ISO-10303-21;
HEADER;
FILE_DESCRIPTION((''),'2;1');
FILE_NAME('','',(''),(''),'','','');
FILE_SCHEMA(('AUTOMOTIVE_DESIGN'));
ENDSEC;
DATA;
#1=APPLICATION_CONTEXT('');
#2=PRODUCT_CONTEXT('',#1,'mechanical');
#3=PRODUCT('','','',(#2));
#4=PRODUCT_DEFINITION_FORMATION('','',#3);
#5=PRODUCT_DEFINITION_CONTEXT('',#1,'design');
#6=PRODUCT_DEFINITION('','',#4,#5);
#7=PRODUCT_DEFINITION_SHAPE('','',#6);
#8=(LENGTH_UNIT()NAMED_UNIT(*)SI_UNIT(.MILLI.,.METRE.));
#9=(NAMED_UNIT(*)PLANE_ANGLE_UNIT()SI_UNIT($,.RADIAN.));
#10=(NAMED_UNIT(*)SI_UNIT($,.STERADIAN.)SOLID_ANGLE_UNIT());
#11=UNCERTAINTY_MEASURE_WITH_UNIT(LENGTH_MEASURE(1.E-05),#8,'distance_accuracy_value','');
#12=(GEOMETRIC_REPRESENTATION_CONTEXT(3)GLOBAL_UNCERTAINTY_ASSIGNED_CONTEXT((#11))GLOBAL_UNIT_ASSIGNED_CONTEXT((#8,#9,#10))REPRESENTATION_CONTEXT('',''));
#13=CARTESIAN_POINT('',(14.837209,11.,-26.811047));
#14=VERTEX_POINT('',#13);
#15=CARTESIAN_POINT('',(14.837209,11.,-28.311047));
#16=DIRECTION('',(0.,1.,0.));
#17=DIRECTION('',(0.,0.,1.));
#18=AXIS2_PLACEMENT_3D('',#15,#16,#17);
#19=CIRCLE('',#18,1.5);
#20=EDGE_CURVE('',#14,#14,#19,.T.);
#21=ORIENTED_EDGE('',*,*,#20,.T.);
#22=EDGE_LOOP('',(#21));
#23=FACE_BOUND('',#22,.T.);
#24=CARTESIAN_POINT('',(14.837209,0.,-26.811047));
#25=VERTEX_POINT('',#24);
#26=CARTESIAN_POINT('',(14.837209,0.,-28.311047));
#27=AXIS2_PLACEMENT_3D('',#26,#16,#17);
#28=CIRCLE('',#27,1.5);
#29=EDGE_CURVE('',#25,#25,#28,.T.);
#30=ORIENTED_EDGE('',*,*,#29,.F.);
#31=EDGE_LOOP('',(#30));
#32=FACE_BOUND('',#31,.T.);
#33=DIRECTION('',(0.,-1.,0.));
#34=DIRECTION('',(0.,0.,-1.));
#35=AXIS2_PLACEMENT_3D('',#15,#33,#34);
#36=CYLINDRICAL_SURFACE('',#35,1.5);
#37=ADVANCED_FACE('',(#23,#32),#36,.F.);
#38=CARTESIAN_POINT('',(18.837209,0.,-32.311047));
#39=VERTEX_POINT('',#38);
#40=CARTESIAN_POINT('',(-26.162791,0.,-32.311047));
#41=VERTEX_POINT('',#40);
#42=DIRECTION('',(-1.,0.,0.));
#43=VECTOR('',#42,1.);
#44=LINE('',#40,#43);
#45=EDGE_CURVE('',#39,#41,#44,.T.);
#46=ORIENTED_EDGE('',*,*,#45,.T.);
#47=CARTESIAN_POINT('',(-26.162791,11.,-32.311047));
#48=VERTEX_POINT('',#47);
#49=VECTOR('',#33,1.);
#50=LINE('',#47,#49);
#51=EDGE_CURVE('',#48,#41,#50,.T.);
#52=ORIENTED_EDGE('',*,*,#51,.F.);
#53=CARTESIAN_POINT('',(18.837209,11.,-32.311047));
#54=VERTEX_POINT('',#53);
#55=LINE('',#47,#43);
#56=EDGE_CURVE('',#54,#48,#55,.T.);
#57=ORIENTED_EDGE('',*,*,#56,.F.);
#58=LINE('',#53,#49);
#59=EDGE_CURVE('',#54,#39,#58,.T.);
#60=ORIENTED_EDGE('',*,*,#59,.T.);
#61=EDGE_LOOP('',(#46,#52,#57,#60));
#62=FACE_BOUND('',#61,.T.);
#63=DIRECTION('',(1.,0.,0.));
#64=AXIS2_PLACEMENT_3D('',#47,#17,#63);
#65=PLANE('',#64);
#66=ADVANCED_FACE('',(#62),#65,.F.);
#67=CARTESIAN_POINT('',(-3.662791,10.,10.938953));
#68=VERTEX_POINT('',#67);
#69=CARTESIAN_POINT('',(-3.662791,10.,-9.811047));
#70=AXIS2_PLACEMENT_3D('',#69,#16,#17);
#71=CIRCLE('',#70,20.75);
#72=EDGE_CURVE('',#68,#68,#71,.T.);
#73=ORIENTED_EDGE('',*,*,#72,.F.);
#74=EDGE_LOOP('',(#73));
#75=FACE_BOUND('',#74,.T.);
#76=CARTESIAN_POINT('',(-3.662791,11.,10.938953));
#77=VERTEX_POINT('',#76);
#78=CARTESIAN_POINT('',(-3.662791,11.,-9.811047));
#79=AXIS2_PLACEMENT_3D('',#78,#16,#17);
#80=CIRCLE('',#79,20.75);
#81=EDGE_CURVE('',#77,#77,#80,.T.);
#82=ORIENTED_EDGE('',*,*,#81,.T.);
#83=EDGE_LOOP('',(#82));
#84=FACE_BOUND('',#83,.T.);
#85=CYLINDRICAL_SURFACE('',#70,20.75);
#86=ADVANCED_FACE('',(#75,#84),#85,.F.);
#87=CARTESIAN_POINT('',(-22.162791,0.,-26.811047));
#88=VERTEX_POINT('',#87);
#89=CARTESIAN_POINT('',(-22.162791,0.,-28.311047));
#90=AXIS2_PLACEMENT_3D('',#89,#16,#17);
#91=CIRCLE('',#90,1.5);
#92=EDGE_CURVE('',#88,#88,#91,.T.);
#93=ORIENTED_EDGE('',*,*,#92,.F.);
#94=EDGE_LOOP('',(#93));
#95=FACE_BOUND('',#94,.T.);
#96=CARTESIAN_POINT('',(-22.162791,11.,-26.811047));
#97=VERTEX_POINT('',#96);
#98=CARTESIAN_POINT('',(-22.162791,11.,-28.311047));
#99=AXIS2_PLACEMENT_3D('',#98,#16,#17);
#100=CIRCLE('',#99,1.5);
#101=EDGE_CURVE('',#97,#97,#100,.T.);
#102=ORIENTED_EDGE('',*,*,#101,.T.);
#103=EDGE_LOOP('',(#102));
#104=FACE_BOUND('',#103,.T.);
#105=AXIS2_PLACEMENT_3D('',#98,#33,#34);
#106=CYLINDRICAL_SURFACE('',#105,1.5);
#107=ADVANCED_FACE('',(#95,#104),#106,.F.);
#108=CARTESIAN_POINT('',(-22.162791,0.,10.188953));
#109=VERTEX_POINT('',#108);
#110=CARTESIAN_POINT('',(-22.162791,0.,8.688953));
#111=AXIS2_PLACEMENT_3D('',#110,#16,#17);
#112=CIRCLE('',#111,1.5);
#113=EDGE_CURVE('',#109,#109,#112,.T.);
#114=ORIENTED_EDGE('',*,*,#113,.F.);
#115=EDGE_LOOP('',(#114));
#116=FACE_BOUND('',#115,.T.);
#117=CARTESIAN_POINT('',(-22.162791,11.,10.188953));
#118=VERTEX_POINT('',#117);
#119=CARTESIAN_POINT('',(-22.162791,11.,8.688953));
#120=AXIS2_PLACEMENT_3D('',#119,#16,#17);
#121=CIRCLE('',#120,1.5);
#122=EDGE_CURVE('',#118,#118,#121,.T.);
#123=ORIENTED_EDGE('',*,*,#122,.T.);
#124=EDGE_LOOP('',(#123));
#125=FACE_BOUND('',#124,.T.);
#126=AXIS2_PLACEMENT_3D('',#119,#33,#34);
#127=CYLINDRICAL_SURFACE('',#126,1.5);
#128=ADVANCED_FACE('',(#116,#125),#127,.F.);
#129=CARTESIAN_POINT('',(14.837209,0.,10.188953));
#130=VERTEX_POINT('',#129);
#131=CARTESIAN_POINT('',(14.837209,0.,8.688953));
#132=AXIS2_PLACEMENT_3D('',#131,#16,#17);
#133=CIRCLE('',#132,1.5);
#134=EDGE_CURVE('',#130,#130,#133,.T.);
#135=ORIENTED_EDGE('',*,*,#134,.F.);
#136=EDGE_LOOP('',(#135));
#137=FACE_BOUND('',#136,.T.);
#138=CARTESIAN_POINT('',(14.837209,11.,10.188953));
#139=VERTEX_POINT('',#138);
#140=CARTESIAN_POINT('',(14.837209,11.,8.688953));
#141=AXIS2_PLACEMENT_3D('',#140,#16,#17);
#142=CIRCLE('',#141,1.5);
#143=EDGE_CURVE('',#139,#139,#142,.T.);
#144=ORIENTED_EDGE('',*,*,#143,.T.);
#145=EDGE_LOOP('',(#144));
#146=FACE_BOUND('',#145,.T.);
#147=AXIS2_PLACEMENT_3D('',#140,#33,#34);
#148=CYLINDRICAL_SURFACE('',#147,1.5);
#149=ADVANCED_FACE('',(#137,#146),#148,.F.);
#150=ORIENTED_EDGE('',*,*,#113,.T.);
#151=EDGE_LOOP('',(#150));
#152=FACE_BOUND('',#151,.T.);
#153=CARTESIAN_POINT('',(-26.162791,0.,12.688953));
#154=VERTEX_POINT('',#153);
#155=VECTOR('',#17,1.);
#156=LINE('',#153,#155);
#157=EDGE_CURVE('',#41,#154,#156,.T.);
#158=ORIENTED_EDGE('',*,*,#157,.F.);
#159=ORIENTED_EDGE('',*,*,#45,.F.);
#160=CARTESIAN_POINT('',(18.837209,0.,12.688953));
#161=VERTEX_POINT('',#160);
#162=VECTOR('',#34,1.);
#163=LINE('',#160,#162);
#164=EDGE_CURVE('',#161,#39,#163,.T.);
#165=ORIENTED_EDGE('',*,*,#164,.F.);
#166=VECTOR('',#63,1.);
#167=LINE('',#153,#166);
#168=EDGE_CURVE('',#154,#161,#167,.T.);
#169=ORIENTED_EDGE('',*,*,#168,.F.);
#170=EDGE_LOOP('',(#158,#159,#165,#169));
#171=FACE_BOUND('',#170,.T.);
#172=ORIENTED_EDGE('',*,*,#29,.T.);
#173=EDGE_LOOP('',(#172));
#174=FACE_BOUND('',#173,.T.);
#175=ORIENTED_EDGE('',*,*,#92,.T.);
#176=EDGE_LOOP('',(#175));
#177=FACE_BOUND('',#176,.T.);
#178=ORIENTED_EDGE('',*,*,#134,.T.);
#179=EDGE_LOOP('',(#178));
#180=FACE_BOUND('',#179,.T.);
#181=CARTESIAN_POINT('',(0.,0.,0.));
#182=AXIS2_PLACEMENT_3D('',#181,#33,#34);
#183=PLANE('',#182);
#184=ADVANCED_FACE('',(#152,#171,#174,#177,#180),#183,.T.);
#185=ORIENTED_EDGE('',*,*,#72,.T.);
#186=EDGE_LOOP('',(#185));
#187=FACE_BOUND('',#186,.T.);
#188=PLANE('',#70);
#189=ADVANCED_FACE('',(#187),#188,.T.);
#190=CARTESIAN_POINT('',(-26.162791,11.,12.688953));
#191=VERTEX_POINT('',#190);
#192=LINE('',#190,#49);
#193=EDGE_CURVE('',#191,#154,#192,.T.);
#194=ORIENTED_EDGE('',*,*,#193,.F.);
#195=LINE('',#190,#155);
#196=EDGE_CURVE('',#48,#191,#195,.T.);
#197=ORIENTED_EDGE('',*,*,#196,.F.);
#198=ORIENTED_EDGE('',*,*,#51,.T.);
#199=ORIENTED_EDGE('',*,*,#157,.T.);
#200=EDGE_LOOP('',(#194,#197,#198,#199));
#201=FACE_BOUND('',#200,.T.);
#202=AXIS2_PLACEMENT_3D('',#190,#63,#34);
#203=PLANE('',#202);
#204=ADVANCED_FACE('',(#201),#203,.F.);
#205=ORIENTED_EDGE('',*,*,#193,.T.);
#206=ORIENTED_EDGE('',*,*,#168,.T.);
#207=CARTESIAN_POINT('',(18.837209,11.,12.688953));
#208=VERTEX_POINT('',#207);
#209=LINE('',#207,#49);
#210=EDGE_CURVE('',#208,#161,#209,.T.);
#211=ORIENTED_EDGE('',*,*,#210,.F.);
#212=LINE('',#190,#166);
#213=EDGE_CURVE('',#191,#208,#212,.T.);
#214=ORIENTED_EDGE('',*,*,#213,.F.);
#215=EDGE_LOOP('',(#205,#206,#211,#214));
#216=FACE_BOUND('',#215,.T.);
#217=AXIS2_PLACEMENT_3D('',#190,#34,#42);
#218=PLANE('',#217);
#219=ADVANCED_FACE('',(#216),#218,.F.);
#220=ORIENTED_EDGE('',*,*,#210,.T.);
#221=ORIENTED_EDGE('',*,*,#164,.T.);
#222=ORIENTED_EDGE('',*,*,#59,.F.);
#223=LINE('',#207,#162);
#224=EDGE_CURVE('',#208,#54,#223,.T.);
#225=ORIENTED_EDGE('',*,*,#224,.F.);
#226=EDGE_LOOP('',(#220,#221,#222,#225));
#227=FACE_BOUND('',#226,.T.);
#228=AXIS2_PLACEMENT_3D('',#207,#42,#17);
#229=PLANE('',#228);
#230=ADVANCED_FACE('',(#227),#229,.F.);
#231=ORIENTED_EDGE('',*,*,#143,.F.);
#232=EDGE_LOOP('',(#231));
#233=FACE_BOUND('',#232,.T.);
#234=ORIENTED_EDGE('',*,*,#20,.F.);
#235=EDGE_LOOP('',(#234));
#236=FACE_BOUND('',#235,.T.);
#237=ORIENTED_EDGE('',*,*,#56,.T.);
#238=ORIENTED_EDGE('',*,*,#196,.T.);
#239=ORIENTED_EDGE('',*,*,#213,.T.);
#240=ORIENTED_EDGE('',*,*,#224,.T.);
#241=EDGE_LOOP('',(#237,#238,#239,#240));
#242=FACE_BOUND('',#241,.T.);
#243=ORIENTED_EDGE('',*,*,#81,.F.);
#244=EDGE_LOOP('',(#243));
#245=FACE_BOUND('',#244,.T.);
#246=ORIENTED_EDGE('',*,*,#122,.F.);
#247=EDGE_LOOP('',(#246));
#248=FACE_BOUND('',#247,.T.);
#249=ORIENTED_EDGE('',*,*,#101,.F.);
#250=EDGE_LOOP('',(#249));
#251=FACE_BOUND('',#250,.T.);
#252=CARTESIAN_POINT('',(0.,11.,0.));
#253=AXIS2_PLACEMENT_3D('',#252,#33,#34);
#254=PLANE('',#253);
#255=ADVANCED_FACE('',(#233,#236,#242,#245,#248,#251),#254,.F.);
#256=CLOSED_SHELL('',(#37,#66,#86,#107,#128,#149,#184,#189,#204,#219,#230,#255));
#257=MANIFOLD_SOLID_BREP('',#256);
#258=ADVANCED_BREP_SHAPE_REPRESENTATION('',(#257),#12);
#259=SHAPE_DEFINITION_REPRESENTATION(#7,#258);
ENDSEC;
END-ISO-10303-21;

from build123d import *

# Parameters (mm, degrees)
SKETCH1_W           = 45
SKETCH1_H           = 45
SKETCH1_R           = 1.5
BOSS_EXTRUDE1_DEPTH = 11
SKETCH2_R           = 20.75
CUT_EXTRUDE1_DEPTH  = 1


with BuildPart() as part:
    # Sketch1 → Boss-Extrude1 (new body)
    with BuildSketch(Plane(origin=(0, 0, 0), x_dir=(1, 0, 0), z_dir=(0, 1, 0))):
        with Locations((-3.662790698, 9.811046512)):
            Rectangle(SKETCH1_W, SKETCH1_H)
        with Locations(Location((-22.162790698, 28.311046512, 0), (0, 0, 270))):
            Circle(SKETCH1_R, mode=Mode.SUBTRACT)
        with Locations(Location((14.837209302, 28.311046512, 0), (0, 0, 270))):
            Circle(SKETCH1_R, mode=Mode.SUBTRACT)
        with Locations(Location((-22.162790698, -8.688953488, 0), (0, 0, 270))):
            Circle(SKETCH1_R, mode=Mode.SUBTRACT)
        with Locations(Location((14.837209302, -8.688953488, 0), (0, 0, 270))):
            Circle(SKETCH1_R, mode=Mode.SUBTRACT)
    extrude(amount=BOSS_EXTRUDE1_DEPTH)

    # Sketch2 → Cut-Extrude1 (cut)
    with BuildSketch(Plane(origin=(0, 11, 0), x_dir=(1, 0, 0), z_dir=(0, 1, 0))):
        with Locations(Location((-3.662790698, 9.811046512, 0), (0, 0, 270))):
            Circle(SKETCH2_R)
    extrude(amount=-CUT_EXTRUDE1_DEPTH, mode=Mode.SUBTRACT)


solid = part.part
